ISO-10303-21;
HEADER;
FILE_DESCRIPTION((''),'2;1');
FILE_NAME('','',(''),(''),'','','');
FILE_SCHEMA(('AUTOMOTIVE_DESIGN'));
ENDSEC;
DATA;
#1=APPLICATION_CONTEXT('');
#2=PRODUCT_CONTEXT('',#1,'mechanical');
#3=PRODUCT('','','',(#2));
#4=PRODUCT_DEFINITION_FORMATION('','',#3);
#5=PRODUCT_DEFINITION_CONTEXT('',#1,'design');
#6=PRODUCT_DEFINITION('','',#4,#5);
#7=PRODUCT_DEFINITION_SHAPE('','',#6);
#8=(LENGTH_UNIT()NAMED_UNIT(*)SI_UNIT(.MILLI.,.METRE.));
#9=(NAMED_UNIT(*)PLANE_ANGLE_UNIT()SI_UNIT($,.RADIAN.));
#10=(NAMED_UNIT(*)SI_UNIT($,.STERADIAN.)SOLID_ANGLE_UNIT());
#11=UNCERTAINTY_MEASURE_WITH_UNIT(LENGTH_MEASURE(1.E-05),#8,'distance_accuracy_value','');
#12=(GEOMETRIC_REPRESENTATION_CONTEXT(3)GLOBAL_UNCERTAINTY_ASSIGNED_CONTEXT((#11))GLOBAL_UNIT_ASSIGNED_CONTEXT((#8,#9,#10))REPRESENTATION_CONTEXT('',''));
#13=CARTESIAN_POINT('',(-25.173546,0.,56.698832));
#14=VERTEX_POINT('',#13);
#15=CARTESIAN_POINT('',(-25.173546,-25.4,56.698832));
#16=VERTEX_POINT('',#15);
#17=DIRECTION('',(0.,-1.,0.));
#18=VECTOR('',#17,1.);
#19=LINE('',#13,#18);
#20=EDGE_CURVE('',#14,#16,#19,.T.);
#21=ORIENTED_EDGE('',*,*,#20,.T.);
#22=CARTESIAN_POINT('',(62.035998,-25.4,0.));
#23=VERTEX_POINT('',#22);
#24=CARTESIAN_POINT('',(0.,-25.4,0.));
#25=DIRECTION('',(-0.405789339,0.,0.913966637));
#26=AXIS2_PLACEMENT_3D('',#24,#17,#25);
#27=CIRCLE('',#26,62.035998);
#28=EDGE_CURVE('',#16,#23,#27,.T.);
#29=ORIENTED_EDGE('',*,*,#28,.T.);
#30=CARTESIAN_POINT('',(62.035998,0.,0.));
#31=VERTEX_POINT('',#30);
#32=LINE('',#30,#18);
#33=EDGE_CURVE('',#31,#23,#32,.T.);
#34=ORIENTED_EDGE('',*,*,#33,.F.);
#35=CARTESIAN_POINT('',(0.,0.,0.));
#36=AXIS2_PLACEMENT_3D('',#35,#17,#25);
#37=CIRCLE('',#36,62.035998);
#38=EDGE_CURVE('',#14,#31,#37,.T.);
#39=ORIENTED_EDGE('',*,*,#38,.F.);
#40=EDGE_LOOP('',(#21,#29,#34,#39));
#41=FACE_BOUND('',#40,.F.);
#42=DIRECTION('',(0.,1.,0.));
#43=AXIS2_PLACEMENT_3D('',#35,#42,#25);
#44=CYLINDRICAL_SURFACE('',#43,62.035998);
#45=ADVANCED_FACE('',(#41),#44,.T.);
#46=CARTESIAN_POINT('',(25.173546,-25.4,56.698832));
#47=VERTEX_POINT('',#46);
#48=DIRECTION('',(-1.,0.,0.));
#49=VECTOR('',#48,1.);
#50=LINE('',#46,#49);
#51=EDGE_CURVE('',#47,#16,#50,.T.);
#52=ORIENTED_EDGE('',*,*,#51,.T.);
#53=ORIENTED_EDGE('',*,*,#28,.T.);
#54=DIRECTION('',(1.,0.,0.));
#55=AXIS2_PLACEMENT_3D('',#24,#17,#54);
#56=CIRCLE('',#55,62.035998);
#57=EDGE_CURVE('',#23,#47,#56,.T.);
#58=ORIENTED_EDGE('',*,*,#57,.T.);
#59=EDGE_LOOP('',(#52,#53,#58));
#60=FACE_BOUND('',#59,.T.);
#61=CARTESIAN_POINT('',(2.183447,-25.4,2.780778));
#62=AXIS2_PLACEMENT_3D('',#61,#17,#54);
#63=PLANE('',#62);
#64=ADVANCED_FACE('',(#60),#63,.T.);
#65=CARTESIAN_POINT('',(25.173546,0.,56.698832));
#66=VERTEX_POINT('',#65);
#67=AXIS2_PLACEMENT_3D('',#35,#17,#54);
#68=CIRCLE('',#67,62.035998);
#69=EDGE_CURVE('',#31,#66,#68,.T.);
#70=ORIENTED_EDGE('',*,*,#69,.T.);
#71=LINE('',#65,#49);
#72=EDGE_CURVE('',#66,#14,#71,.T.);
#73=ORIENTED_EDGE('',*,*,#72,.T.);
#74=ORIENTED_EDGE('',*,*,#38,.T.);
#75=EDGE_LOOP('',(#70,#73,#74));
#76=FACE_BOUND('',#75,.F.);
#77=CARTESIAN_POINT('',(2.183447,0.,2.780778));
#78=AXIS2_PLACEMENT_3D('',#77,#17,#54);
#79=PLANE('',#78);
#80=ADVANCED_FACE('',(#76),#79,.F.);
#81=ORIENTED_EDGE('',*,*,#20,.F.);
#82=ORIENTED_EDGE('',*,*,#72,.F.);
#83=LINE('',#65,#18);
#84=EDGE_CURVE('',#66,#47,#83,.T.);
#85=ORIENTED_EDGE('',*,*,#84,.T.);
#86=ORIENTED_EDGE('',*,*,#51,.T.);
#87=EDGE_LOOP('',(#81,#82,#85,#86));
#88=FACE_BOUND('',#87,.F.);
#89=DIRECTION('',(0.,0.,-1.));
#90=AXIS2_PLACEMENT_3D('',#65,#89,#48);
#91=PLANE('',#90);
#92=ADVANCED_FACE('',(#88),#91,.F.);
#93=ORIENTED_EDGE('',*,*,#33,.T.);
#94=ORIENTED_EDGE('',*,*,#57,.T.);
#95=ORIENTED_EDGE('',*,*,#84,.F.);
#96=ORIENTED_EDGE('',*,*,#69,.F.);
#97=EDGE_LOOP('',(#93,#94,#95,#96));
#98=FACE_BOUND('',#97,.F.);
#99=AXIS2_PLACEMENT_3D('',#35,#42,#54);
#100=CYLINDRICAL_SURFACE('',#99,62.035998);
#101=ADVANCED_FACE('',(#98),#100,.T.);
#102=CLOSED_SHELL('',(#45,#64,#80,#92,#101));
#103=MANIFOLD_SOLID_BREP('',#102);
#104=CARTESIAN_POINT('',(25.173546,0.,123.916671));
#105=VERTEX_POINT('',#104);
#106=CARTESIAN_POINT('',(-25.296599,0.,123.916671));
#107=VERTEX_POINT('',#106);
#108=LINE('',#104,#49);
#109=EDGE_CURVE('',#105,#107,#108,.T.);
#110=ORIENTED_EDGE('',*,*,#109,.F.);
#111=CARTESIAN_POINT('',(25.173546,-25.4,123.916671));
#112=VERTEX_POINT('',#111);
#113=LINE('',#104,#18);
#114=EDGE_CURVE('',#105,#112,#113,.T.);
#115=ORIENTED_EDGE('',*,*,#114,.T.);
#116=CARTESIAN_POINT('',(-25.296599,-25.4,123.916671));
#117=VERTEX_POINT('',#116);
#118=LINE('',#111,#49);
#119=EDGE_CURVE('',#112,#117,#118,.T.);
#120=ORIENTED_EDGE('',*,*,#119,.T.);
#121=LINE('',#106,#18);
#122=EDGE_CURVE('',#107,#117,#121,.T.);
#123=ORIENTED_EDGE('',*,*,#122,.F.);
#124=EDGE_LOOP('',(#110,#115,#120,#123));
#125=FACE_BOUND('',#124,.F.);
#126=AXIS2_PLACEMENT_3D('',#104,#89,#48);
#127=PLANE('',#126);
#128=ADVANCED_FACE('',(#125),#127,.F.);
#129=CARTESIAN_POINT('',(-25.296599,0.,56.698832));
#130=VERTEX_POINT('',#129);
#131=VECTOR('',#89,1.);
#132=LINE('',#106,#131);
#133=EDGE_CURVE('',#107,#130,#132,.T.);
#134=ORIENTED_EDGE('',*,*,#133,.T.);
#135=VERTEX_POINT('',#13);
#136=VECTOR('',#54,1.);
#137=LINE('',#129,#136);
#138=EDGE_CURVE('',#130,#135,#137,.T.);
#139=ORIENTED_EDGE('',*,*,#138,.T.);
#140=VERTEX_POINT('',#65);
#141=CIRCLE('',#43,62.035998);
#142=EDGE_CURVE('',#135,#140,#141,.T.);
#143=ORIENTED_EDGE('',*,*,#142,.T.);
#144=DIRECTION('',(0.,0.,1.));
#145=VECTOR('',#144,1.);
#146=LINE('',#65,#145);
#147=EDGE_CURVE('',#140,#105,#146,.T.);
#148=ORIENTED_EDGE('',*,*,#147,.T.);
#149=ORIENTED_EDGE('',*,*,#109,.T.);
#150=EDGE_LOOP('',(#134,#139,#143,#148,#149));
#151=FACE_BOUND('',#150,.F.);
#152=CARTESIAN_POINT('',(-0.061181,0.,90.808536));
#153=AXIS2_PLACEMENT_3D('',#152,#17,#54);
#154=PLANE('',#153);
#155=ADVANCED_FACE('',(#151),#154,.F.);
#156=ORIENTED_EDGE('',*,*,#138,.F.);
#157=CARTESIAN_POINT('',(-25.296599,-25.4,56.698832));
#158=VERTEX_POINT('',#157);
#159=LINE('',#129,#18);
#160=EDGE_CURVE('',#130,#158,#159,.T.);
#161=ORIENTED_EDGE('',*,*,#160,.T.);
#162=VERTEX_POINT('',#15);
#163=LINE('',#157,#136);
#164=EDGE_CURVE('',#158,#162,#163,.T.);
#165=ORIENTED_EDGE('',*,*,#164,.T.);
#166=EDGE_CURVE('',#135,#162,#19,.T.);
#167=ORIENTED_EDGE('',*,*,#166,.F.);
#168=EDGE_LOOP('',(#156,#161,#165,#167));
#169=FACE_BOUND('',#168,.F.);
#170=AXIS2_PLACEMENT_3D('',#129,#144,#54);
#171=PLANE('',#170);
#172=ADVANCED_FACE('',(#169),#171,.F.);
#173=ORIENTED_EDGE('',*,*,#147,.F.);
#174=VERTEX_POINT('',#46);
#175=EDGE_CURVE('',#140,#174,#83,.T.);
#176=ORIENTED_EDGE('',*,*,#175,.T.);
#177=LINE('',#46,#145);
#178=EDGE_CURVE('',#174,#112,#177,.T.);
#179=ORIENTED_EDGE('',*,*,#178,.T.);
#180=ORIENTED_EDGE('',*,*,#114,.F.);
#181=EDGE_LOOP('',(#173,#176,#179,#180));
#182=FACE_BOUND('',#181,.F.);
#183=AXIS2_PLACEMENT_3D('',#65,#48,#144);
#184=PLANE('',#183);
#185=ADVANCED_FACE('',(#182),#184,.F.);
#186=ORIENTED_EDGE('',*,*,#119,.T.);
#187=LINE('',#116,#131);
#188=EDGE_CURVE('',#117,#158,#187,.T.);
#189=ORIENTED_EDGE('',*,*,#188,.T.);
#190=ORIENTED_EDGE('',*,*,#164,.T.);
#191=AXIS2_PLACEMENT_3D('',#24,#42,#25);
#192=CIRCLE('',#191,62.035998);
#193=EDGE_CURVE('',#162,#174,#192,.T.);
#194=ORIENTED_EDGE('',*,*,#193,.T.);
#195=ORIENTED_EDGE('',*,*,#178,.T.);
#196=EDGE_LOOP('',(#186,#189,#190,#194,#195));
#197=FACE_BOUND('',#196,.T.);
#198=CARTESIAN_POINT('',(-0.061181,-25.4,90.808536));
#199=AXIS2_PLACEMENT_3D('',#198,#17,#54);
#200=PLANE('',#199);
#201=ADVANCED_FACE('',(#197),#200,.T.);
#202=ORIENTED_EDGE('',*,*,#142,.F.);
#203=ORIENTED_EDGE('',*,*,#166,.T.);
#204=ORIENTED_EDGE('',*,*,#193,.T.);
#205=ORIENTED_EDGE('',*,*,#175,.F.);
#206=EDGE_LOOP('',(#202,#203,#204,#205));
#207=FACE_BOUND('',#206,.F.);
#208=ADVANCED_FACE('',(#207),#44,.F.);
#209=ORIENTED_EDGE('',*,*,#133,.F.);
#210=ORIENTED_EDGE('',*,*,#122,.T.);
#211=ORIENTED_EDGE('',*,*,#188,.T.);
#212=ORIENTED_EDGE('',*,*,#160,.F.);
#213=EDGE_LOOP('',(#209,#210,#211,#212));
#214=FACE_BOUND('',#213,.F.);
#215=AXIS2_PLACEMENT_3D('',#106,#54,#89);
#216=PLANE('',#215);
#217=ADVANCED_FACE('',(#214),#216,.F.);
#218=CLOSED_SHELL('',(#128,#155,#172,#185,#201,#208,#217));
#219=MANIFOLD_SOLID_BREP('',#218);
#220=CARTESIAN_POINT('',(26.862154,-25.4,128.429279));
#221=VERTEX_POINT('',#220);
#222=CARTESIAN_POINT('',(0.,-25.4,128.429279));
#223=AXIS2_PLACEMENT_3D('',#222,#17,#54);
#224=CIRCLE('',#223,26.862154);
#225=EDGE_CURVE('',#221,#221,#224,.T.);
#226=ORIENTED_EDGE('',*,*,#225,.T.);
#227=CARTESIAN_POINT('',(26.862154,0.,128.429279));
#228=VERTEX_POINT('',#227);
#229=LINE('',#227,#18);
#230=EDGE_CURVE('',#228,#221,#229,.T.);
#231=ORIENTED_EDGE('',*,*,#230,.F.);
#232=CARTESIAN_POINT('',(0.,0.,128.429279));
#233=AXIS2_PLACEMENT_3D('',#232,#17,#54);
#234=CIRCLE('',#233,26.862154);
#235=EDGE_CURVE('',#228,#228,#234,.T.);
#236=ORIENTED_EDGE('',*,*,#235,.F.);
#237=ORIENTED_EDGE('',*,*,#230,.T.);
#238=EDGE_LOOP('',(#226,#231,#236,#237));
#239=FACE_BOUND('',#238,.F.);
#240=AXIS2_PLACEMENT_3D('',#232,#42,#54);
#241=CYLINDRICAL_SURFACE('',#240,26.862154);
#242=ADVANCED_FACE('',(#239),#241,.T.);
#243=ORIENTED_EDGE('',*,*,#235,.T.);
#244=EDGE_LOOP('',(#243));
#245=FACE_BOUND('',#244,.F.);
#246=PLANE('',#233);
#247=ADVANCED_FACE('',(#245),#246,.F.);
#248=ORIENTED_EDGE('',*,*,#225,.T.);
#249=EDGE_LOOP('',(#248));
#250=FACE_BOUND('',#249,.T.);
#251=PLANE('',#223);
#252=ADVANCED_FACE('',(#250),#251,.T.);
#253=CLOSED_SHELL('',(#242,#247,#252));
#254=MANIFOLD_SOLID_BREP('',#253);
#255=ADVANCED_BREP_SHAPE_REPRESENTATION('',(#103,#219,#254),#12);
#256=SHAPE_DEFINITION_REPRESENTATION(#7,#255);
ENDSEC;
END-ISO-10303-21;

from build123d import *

# Parameters (mm, degrees)
F3_DEPTH = 25.4
F1_R     = 26.8621536908


with BuildPart() as f3:
    # F0 (on Front) → F3 (new body)
    with BuildSketch(Plane.XZ):
        with BuildLine():
            ThreePointArc((-25.17354644, 56.6988320916), (-33.8141903188, -52.0102445101), (62.0359976217, 0))
            ThreePointArc((62.0359976217, 0), (52.0102445101, 33.8141903188), (25.17354644, 56.6988320916))
            Line((25.17354644, 56.6988320916), (-25.17354644, 56.6988320916))
        make_face()
    extrude(amount=F3_DEPTH)


with BuildPart() as f3b:
    # F0 (on Front) → F3, piece 2 (new body)
    with BuildSketch(Plane.XZ):
        with BuildLine():
            ThreePointArc((-25.17354644, 56.6988320916), (0, 62.0359976217), (25.17354644, 56.6988320916))
            Line((25.17354644, 56.6988320916), (25.17354644, 123.91667068))
            Line((25.17354644, 123.91667068), (-25.2965986729, 123.91667068))
            Line((-25.2965986729, 123.91667068), (-25.2965986729, 56.6988320916))
            Line((-25.2965986729, 56.6988320916), (-25.17354644, 56.6988320916))
        make_face()
    extrude(amount=F3_DEPTH)


with BuildPart() as f3c:
    # F1 (on Front) → F3, piece 3 (new body)
    with BuildSketch(Plane.XZ):
        with Locations((0, 128.4292787313)):
            Circle(F1_R)
    extrude(amount=F3_DEPTH)


solid = Compound([f3.part, f3b.part, f3c.part])
